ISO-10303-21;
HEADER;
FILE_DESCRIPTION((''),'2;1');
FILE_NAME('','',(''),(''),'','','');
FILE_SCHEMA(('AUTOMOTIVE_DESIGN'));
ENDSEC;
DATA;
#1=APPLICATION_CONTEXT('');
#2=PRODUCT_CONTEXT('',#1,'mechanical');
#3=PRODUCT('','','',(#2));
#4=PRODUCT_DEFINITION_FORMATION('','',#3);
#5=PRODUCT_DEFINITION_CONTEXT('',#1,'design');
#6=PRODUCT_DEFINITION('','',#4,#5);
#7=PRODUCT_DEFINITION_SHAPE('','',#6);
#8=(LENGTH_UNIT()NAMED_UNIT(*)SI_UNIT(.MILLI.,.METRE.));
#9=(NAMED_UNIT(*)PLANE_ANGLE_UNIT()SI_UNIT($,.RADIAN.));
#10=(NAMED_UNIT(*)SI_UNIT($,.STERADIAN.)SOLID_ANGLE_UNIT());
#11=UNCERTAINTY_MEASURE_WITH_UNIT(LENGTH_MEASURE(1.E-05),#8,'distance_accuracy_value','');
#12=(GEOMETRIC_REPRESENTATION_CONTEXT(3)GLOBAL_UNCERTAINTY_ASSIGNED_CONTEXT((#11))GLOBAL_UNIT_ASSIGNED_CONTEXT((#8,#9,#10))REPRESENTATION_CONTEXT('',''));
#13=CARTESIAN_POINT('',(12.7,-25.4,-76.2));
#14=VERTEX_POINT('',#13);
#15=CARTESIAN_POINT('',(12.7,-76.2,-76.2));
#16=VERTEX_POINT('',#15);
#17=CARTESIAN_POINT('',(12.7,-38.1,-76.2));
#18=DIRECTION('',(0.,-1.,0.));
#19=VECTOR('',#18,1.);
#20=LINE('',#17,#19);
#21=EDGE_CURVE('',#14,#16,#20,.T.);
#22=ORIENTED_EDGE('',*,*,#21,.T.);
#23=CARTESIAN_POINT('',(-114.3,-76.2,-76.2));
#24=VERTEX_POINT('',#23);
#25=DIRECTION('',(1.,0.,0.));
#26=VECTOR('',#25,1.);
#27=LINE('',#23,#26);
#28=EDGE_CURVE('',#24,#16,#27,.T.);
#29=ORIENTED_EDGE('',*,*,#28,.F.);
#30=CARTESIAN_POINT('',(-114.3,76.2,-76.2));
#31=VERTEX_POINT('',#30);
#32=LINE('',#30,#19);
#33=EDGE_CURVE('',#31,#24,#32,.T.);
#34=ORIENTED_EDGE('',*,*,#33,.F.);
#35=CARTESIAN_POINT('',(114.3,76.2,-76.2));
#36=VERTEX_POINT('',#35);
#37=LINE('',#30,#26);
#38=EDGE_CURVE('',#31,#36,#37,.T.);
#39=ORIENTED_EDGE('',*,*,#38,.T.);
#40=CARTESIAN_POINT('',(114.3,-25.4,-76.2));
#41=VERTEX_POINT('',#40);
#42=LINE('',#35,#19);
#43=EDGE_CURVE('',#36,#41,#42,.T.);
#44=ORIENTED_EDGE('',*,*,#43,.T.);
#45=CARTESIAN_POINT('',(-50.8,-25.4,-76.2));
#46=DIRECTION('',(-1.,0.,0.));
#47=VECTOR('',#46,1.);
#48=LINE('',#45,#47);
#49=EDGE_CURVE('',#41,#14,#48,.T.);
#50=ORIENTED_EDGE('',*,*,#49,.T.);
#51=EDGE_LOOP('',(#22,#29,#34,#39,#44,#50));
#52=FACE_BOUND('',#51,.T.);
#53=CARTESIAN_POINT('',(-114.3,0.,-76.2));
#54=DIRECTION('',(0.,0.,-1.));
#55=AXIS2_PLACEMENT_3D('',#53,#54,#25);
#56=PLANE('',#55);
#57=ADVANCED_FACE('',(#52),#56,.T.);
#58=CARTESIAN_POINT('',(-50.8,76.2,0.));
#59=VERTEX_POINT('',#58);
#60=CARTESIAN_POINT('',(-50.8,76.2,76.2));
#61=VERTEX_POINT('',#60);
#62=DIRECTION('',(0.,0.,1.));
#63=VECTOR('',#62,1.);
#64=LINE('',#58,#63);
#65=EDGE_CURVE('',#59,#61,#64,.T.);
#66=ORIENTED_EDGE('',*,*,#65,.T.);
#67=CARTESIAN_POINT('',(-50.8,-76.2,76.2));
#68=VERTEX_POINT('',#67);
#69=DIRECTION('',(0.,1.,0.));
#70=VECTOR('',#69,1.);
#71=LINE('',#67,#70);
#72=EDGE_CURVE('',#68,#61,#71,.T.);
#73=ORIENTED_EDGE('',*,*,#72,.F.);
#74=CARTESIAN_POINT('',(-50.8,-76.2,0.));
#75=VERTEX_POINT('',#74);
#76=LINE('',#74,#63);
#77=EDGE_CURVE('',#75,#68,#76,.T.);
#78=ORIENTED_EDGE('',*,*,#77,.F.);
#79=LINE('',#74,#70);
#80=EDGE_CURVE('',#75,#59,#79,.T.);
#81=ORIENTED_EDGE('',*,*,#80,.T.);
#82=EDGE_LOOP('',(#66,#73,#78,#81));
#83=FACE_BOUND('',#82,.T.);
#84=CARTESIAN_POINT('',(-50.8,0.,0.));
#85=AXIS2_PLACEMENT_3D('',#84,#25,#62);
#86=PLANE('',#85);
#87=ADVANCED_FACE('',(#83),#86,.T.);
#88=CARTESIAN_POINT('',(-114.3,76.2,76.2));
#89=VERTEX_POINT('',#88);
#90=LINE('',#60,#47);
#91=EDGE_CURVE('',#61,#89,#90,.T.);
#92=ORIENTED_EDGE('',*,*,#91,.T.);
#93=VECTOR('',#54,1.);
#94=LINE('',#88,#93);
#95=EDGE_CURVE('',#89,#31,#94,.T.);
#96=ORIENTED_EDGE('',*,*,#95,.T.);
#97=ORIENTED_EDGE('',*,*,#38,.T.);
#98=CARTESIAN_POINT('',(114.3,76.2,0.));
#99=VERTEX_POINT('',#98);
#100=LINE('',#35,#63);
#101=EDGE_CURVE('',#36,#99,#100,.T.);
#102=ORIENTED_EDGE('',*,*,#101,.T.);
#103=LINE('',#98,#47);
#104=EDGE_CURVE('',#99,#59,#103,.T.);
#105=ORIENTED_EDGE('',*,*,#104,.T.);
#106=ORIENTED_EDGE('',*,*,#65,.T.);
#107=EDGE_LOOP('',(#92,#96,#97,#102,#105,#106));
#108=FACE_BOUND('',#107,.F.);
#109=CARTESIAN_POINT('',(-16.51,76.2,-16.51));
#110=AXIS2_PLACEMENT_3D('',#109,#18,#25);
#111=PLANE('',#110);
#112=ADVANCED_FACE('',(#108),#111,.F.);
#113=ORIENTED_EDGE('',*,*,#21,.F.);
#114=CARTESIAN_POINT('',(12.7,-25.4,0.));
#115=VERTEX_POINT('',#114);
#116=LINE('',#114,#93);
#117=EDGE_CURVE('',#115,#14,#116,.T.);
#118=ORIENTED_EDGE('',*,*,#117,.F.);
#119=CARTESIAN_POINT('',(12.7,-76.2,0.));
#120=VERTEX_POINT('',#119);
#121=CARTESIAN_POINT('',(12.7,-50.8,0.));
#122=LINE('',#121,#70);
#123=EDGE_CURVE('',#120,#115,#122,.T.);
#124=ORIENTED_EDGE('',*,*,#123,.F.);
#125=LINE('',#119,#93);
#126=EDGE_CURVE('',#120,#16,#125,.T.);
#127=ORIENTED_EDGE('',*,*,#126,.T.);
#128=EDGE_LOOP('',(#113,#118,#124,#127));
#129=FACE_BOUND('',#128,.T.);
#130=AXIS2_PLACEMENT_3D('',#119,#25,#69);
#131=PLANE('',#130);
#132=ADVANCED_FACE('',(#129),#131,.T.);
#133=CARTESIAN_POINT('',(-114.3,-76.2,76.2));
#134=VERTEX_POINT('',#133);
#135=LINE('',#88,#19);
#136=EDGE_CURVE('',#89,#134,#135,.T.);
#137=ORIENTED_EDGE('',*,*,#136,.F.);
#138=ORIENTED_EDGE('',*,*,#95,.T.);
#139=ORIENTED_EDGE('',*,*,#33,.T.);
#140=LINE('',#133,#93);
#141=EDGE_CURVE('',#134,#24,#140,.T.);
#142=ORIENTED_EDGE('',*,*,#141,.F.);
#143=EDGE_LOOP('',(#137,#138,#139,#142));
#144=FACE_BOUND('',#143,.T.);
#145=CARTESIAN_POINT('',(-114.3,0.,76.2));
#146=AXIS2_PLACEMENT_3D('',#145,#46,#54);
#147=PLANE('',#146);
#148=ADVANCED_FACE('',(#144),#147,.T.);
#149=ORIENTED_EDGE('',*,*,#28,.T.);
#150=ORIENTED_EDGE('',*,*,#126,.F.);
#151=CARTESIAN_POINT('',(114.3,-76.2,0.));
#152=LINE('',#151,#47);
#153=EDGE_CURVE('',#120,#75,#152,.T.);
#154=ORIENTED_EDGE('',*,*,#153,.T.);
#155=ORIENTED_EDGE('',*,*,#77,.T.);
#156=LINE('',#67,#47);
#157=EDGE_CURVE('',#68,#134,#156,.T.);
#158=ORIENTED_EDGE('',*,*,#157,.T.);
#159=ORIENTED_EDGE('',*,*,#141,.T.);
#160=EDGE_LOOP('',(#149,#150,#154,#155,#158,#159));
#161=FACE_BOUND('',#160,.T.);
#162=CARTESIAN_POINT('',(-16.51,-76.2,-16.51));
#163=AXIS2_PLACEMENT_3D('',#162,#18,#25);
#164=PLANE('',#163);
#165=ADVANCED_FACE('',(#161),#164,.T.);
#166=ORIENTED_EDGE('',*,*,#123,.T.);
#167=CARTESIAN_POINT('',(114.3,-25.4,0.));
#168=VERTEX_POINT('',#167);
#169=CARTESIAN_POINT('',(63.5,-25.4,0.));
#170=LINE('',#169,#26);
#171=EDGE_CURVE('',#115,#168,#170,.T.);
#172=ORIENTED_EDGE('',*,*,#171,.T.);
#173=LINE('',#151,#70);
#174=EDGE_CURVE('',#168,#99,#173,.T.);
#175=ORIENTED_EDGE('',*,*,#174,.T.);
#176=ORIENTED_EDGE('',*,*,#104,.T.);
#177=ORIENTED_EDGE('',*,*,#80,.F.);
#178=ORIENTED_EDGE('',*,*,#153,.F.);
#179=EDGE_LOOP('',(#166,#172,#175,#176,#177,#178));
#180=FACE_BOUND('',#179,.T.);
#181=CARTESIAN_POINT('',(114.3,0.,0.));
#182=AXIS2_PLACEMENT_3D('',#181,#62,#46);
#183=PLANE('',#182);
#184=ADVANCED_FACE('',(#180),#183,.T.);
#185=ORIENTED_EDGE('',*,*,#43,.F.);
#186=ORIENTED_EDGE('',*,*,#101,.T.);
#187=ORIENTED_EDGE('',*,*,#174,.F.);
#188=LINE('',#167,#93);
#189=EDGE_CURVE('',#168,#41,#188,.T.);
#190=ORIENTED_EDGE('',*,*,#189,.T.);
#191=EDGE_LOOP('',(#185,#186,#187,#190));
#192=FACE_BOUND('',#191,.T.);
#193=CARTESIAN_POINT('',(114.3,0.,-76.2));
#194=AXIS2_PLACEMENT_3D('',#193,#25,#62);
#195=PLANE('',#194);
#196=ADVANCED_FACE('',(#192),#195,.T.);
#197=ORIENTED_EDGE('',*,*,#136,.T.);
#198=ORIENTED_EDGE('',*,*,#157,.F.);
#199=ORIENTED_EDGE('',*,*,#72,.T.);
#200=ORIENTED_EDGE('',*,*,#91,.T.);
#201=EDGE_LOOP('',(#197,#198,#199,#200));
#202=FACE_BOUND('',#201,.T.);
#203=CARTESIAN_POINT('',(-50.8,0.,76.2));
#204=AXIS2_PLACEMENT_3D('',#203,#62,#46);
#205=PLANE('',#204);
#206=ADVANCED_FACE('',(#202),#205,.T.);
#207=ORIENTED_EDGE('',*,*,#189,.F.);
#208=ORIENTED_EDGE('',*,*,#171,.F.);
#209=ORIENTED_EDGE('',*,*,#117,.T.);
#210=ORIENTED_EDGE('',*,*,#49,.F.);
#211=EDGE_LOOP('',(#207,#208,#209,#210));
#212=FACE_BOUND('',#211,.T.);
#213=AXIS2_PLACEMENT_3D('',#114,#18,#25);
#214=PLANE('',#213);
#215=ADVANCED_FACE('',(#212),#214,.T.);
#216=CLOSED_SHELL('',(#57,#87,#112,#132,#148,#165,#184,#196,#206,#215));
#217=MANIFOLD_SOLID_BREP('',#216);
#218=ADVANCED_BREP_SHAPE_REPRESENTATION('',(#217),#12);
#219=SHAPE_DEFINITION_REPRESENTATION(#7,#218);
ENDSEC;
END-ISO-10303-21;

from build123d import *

# Parameters (mm, degrees)
F1_DEPTH = 76.2
F2_W     = 101.6
F2_H     = 50.8
F3_DEPTH = 76.201


with BuildPart() as f1:
    # F0 (on Front) → F1 (new body, symmetric)
    with BuildSketch(Plane.XZ):
        Polygon((-50.8, 76.2), (-114.3, 76.2), (-114.3, -76.2), (114.3, -76.2), (114.3, 0), (-50.8, 0), align=None)
    extrude(amount=F1_DEPTH, both=True)

    # F2 (on face) → F3 (cut, through all)
    with BuildSketch(Plane.XY):
        with Locations((63.5, -50.8)):
            Rectangle(F2_W, F2_H)
    extrude(amount=-F3_DEPTH, mode=Mode.SUBTRACT)


solid = f1.part
